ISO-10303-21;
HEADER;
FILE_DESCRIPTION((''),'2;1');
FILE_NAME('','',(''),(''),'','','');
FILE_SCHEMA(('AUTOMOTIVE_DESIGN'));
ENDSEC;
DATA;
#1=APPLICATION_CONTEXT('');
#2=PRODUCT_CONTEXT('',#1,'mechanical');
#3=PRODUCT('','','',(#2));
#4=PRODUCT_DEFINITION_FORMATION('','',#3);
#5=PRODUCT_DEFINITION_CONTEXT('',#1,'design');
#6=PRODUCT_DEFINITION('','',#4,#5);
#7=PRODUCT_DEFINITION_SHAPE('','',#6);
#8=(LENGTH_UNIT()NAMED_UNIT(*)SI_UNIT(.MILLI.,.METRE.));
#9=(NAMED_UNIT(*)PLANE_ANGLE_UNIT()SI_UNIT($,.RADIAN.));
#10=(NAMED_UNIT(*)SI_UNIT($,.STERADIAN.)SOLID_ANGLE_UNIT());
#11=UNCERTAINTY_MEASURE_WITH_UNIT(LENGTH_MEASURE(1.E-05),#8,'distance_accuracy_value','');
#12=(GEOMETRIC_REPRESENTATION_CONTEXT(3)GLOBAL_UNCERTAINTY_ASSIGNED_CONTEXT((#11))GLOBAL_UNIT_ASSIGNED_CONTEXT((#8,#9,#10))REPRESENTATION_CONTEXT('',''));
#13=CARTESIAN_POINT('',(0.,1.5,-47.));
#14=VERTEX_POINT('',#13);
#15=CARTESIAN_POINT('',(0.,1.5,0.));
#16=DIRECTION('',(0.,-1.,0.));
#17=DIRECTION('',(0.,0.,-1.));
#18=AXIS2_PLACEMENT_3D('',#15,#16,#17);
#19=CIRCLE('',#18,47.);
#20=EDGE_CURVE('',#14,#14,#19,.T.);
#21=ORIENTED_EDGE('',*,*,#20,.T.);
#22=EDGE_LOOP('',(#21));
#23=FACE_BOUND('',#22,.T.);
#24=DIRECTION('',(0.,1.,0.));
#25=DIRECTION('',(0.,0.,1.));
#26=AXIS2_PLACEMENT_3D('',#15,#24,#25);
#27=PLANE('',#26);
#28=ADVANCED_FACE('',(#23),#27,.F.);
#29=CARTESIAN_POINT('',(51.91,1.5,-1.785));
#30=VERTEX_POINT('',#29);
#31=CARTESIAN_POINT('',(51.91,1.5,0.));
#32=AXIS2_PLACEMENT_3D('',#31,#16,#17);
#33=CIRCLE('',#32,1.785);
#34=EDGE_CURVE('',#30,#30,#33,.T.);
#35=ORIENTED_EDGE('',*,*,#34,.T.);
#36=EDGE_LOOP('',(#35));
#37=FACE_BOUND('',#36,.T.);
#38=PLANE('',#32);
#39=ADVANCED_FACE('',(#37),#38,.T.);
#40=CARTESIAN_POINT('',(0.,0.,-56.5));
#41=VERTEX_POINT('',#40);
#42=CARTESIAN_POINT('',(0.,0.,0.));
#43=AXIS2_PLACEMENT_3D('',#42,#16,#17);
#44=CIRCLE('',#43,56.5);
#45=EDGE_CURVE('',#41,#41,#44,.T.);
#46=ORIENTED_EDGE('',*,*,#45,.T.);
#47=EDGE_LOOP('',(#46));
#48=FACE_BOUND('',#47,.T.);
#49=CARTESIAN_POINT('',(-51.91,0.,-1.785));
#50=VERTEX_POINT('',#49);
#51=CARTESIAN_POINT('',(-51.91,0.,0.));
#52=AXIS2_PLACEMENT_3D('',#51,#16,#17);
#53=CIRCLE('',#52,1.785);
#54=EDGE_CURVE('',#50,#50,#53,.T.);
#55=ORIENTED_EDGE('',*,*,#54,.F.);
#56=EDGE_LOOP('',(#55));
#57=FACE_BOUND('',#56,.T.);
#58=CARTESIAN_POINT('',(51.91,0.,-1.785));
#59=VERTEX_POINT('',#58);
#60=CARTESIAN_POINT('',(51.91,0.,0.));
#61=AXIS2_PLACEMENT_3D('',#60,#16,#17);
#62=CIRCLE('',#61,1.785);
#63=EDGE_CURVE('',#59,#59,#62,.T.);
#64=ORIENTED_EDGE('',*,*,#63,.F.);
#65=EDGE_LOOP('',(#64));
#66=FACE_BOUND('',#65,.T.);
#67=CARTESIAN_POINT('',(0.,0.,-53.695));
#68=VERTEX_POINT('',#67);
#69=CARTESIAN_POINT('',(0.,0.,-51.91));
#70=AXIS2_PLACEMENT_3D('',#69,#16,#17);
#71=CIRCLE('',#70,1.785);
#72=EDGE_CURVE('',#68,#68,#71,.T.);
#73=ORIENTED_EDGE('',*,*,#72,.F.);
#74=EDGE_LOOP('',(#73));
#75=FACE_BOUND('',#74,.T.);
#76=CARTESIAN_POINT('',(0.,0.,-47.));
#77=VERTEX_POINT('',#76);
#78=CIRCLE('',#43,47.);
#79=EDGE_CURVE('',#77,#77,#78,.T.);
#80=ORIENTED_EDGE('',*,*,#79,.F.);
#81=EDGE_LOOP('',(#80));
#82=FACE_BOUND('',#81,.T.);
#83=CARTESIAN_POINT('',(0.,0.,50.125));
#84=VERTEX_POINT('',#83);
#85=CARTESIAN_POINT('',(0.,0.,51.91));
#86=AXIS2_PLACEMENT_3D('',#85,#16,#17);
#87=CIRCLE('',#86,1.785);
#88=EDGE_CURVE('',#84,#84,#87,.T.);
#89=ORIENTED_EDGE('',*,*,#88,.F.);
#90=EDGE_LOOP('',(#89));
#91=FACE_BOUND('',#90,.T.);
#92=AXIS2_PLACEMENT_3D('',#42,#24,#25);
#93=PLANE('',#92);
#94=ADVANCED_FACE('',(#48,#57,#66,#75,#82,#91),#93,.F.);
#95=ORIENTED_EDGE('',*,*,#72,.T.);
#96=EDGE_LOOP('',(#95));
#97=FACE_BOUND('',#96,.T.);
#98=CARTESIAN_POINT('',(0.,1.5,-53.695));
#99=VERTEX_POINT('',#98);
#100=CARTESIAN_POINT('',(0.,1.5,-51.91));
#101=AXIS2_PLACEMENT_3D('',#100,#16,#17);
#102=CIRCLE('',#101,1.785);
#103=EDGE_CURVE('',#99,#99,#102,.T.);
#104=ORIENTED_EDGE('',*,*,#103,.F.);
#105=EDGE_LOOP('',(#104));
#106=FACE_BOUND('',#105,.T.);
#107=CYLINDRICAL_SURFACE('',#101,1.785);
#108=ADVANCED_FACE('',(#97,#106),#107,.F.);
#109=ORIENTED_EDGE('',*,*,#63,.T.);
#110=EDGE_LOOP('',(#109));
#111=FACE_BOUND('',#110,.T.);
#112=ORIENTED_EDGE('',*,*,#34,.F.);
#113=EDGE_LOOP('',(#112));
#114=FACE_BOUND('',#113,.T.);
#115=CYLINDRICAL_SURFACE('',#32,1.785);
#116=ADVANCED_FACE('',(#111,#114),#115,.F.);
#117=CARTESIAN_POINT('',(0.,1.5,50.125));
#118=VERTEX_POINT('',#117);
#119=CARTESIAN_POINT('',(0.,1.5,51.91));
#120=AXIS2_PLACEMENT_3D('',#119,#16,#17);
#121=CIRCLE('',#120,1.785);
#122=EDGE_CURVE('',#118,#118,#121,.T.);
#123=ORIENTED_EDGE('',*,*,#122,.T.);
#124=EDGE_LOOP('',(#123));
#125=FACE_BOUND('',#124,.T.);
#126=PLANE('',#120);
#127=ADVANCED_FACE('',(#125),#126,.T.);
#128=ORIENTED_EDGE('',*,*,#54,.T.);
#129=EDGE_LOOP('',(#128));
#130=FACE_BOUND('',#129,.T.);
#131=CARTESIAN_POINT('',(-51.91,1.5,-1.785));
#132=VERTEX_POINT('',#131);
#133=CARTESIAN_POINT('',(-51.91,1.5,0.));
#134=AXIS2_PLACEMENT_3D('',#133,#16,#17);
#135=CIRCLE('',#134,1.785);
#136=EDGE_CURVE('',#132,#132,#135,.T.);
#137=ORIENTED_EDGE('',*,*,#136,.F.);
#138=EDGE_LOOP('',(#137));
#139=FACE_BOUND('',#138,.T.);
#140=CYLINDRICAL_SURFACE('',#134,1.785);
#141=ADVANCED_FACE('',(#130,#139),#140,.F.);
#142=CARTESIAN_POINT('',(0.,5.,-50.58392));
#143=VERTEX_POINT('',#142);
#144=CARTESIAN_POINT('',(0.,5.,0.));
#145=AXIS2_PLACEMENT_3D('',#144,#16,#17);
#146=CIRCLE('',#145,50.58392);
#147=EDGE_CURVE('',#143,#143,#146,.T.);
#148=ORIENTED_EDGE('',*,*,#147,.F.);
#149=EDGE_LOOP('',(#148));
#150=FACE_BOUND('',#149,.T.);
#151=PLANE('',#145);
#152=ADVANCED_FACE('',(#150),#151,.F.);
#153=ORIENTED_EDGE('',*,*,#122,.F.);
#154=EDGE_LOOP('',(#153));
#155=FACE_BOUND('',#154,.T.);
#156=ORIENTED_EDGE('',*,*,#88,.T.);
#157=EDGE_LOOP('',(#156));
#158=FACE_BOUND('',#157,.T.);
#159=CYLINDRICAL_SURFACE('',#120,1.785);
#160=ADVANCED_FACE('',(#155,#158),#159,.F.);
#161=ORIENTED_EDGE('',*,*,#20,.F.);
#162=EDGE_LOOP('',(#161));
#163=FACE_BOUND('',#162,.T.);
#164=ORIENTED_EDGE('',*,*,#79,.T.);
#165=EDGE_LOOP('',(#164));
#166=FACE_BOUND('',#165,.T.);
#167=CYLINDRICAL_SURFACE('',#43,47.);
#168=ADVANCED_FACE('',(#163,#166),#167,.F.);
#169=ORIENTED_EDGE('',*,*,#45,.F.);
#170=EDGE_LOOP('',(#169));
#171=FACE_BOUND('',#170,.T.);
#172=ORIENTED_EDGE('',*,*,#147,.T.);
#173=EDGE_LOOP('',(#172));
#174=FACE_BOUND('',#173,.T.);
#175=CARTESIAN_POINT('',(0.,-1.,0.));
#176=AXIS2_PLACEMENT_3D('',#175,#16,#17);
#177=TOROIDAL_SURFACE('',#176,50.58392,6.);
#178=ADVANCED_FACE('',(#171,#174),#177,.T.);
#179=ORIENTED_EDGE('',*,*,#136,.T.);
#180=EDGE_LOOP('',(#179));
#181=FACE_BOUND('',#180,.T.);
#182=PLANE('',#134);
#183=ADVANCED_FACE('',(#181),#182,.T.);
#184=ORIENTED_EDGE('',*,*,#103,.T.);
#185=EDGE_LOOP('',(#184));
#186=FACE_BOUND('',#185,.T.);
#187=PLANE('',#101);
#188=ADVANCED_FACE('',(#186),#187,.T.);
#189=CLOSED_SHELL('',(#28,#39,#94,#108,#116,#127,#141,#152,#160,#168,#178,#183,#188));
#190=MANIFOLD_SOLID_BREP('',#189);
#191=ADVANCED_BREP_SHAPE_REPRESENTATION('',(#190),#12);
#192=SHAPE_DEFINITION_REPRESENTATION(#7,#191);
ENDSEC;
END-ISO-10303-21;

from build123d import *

# Parameters (mm, degrees)
SKETCH2_R          = 1.785
CUT_EXTRUDE1_DEPTH = 1.5


with BuildPart() as part:
    # Sketch1 → Revolve1 (revolve)
    with BuildSketch(Plane.XY, mode=Mode.PRIVATE) as revolve1_sk:
        with BuildLine():
            Line((50.583920217, 5), (0, 5))
            Line((0, 5), (0, 1.5))
            Line((0, 1.5), (47, 1.5))
            Line((47, 1.5), (47, 0))
            Line((47, 0), (56.5, 0))
            ThreePointArc((56.5, 0), (54.456903563, 3.582575695), (50.583920217, 5))
        make_face()
    revolve(revolve1_sk.sketch.rotate(Axis((0, 0, 0), (0, 1, 0)), 90), axis=Axis((0, 0, 0), (0, 1, 0)))

    # Sketch2 → Cut-Extrude1 (cut)
    with BuildSketch(Plane.XZ):
        with Locations(Location((0, 51.91, 0), (0, 0, 270))):
            Circle(SKETCH2_R)
        with Locations(Location((51.91, 0, 0), (0, 0, 270))):
            Circle(SKETCH2_R)
        with Locations(Location((0, -51.91, 0), (0, 0, 270))):
            Circle(SKETCH2_R)
        with Locations(Location((-51.91, 0, 0), (0, 0, 270))):
            Circle(SKETCH2_R)
    extrude(amount=-CUT_EXTRUDE1_DEPTH, mode=Mode.SUBTRACT)


solid = part.part
